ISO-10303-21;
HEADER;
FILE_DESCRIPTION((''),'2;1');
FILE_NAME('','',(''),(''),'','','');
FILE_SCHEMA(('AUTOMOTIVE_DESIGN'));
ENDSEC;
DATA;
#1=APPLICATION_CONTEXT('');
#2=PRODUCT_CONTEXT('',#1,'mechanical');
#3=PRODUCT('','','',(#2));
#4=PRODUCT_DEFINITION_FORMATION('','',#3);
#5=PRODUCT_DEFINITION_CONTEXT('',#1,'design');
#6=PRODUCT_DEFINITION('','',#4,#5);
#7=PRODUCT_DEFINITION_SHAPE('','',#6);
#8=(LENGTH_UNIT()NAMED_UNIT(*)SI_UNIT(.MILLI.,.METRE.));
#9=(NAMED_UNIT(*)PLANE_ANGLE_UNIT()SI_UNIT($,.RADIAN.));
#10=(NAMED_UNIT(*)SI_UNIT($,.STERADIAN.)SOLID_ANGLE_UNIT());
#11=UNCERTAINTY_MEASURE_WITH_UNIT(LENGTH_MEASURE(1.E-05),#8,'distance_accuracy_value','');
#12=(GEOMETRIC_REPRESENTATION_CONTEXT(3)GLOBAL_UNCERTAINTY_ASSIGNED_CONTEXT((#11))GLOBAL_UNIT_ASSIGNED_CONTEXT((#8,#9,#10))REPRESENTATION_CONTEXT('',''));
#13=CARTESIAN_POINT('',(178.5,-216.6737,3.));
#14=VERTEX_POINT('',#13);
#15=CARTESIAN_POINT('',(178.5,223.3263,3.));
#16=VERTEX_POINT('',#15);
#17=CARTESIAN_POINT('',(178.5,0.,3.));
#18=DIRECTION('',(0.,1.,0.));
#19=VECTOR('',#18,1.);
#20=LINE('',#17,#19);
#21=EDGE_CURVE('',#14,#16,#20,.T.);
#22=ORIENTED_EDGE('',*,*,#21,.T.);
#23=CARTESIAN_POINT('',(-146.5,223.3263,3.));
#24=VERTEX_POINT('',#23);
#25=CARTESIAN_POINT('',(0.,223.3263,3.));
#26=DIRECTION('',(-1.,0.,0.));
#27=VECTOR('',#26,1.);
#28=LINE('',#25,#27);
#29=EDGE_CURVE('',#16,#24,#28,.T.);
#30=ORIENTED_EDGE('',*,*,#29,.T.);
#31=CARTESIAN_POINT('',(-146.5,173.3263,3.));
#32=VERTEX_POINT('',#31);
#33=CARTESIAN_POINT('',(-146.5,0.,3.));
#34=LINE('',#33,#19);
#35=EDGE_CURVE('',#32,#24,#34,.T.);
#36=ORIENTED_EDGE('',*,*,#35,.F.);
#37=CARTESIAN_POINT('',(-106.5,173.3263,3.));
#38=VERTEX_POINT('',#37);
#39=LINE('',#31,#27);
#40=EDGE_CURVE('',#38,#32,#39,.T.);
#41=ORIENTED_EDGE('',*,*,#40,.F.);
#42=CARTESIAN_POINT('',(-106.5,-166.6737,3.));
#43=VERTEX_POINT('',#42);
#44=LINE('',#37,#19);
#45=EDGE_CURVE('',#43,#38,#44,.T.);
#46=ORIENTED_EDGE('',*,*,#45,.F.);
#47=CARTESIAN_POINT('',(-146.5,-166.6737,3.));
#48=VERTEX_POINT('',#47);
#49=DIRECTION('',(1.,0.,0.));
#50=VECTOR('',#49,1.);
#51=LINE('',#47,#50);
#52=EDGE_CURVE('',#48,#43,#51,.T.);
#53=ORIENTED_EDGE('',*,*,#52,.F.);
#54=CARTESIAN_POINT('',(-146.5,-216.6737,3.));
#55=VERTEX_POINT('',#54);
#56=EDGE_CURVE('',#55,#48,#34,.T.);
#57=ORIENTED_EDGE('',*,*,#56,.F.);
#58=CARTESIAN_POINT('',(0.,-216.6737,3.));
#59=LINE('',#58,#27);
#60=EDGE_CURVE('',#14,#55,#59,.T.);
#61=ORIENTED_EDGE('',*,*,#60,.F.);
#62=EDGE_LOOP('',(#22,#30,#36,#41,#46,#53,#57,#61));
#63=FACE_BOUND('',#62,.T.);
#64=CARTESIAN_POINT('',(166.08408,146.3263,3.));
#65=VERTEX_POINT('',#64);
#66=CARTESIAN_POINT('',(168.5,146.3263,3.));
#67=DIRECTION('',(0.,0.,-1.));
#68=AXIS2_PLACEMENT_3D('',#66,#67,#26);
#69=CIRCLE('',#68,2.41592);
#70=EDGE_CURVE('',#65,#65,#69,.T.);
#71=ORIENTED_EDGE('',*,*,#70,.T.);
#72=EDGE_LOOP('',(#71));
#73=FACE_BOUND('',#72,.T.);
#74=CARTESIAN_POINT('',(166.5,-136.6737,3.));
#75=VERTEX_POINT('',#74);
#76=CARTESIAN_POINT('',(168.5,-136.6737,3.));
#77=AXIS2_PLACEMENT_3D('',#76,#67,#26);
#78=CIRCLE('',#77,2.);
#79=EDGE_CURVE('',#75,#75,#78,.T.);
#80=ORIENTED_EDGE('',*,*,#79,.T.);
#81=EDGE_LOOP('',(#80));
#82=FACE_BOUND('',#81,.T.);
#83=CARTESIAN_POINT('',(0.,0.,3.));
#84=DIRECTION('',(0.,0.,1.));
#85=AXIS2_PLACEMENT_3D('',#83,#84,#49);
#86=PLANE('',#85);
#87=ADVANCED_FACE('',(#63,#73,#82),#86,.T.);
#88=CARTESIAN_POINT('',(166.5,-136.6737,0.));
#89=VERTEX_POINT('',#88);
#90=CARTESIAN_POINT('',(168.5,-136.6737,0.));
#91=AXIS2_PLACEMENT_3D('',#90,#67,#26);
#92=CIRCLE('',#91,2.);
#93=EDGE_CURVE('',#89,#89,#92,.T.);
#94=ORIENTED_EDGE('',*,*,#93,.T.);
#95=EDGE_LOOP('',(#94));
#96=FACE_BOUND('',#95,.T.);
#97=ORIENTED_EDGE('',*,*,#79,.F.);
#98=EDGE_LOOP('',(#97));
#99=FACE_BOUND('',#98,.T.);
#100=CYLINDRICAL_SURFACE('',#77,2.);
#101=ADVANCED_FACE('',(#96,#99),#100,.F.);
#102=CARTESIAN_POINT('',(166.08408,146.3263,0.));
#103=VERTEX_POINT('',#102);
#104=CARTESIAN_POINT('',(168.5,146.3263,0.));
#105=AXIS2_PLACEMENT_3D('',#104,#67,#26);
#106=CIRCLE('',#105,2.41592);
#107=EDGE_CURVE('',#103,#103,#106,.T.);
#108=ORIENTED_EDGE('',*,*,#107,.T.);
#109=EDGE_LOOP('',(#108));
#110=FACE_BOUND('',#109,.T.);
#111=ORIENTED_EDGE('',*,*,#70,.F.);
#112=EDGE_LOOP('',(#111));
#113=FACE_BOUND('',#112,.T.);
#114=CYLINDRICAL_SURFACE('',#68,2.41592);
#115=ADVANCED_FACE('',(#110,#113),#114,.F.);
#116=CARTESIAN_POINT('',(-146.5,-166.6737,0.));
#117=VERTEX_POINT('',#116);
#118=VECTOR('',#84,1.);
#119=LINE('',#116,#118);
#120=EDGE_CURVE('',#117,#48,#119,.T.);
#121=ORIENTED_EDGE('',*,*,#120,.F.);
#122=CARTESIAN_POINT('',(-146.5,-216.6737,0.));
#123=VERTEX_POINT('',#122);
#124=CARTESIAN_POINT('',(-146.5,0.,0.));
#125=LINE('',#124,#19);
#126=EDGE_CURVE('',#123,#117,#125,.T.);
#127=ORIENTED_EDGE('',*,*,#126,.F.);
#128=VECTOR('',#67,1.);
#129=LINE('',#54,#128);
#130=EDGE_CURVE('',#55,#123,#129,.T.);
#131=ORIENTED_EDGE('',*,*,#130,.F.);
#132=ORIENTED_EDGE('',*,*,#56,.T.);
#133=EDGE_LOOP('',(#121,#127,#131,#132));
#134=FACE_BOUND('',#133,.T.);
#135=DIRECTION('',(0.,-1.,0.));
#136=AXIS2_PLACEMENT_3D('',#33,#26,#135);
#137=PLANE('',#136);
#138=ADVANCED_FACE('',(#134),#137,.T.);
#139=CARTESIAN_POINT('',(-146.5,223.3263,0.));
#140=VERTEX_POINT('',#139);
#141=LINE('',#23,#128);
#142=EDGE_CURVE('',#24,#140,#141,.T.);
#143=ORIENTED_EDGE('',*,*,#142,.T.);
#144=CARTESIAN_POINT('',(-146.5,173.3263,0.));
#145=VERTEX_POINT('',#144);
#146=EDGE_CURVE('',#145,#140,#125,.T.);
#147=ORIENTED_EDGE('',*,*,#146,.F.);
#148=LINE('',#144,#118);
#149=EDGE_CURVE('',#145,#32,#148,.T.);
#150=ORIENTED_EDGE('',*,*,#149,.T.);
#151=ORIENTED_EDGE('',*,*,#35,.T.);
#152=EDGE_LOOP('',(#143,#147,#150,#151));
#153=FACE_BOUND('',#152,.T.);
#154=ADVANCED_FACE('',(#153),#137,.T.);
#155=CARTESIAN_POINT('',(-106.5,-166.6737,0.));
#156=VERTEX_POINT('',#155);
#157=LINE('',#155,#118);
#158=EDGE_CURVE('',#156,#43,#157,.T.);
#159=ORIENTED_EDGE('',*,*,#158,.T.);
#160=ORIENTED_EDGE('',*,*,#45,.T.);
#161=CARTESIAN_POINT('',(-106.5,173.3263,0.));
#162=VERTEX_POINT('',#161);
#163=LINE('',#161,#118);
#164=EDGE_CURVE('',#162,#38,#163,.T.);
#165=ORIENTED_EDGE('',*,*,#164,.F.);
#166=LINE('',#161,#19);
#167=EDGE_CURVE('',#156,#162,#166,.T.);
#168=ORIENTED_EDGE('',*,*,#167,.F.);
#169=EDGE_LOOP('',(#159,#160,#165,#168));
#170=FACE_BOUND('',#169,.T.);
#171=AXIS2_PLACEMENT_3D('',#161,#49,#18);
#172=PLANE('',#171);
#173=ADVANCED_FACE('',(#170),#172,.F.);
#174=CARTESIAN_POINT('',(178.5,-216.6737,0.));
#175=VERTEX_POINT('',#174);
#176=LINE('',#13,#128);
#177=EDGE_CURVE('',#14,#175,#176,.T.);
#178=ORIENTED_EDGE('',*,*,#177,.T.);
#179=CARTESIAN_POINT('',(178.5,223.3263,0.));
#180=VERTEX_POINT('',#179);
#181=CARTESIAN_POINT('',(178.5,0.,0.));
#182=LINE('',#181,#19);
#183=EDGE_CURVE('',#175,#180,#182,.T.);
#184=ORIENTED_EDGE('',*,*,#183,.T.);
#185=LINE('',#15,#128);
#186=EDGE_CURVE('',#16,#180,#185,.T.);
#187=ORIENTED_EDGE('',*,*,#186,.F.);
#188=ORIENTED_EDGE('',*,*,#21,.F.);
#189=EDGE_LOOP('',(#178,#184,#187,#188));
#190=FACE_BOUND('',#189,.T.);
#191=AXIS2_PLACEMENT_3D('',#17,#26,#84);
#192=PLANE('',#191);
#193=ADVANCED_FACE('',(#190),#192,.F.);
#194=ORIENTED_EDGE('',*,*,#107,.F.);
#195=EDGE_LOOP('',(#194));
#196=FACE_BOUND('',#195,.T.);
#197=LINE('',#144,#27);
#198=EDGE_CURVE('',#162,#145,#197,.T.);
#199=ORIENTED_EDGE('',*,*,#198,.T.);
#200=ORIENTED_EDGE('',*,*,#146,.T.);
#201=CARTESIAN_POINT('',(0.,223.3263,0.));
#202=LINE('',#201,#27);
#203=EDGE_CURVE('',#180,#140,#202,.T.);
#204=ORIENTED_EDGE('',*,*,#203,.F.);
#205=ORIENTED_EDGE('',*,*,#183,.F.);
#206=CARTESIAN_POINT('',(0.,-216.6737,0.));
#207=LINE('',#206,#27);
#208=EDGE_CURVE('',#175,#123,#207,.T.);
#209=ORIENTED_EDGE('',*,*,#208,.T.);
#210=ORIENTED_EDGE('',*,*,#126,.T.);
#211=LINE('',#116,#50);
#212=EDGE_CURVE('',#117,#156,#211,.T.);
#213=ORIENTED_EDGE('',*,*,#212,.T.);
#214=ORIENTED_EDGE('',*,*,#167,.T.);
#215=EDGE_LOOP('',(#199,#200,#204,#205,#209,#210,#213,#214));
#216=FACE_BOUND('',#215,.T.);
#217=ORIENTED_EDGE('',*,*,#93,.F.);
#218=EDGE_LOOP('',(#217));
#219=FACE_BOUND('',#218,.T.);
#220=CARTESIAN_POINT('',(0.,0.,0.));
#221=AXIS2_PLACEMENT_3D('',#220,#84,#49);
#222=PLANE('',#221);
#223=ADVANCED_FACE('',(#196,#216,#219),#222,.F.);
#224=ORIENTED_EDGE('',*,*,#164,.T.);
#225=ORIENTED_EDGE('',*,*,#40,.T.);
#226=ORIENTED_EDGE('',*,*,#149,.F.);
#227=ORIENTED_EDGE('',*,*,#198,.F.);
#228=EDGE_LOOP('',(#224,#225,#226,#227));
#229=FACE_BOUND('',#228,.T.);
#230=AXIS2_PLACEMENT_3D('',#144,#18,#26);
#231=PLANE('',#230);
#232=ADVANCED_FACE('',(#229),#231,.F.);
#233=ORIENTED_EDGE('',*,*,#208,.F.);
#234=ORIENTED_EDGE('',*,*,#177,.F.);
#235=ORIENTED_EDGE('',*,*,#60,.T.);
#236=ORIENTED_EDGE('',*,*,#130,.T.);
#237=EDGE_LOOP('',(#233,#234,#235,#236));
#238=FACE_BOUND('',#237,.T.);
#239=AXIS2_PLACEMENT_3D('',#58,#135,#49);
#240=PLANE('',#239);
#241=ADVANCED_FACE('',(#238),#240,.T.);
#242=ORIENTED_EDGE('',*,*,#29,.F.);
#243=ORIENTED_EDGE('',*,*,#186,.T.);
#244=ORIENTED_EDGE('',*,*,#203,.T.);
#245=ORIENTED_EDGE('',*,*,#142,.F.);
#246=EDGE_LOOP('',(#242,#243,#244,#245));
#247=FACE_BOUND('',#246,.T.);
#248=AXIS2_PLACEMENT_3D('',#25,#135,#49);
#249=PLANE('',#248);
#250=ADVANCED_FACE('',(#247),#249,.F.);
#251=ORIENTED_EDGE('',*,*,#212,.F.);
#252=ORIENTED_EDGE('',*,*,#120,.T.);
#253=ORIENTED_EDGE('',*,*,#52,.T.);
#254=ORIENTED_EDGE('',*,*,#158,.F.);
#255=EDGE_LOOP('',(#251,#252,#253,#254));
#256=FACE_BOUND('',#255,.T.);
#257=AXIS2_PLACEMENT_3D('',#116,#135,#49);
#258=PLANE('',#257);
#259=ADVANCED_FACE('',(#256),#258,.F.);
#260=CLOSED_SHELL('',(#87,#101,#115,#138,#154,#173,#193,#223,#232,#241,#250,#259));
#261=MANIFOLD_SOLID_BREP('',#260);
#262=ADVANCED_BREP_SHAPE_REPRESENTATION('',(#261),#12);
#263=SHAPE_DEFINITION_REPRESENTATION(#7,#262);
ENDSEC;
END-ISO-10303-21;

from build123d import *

# Parameters (mm, degrees)
SKETCH1_W           = 325
SKETCH1_H           = 70
SKETCH1_H_2         = 300
BOSS_EXTRUDE1_DEPTH = 3
SKETCH2_W           = 40
SKETCH2_H           = 340
CUT_EXTRUDE1_DEPTH  = 3
SKETCH3_R           = 2
SKETCH3_R_2         = 2.415919743
CUT_EXTRUDE2_DEPTH  = 3


with BuildPart() as part:
    # Sketch1 → Boss-Extrude1 (new body)
    with BuildSketch(Plane.XY):
        with Locations((16, 188.326300096)):
            Rectangle(SKETCH1_W, SKETCH1_H)
        with Locations((16, 3.326300096)):
            Rectangle(SKETCH1_W, SKETCH1_H_2)
        with Locations((16, -181.673699904)):
            Rectangle(SKETCH1_W, SKETCH1_H)
    extrude(amount=BOSS_EXTRUDE1_DEPTH)

    # Sketch2 → Cut-Extrude1 (cut)
    with BuildSketch(Plane.XY.offset(3)):
        with Locations((-126.5, 3.326300096)):
            Rectangle(SKETCH2_W, SKETCH2_H)
    extrude(amount=-CUT_EXTRUDE1_DEPTH, mode=Mode.SUBTRACT)

    # Sketch3 → Cut-Extrude2 (cut)
    with BuildSketch(Plane(origin=(0, 0, 0), x_dir=(-1, 0, 0), z_dir=(0, 0, -1))):
        with Locations((-168.5, -136.673699904)):
            Circle(SKETCH3_R)
        with Locations((-168.5, 146.326300096)):
            Circle(SKETCH3_R_2)
    extrude(amount=-CUT_EXTRUDE2_DEPTH, mode=Mode.SUBTRACT)


solid = part.part
